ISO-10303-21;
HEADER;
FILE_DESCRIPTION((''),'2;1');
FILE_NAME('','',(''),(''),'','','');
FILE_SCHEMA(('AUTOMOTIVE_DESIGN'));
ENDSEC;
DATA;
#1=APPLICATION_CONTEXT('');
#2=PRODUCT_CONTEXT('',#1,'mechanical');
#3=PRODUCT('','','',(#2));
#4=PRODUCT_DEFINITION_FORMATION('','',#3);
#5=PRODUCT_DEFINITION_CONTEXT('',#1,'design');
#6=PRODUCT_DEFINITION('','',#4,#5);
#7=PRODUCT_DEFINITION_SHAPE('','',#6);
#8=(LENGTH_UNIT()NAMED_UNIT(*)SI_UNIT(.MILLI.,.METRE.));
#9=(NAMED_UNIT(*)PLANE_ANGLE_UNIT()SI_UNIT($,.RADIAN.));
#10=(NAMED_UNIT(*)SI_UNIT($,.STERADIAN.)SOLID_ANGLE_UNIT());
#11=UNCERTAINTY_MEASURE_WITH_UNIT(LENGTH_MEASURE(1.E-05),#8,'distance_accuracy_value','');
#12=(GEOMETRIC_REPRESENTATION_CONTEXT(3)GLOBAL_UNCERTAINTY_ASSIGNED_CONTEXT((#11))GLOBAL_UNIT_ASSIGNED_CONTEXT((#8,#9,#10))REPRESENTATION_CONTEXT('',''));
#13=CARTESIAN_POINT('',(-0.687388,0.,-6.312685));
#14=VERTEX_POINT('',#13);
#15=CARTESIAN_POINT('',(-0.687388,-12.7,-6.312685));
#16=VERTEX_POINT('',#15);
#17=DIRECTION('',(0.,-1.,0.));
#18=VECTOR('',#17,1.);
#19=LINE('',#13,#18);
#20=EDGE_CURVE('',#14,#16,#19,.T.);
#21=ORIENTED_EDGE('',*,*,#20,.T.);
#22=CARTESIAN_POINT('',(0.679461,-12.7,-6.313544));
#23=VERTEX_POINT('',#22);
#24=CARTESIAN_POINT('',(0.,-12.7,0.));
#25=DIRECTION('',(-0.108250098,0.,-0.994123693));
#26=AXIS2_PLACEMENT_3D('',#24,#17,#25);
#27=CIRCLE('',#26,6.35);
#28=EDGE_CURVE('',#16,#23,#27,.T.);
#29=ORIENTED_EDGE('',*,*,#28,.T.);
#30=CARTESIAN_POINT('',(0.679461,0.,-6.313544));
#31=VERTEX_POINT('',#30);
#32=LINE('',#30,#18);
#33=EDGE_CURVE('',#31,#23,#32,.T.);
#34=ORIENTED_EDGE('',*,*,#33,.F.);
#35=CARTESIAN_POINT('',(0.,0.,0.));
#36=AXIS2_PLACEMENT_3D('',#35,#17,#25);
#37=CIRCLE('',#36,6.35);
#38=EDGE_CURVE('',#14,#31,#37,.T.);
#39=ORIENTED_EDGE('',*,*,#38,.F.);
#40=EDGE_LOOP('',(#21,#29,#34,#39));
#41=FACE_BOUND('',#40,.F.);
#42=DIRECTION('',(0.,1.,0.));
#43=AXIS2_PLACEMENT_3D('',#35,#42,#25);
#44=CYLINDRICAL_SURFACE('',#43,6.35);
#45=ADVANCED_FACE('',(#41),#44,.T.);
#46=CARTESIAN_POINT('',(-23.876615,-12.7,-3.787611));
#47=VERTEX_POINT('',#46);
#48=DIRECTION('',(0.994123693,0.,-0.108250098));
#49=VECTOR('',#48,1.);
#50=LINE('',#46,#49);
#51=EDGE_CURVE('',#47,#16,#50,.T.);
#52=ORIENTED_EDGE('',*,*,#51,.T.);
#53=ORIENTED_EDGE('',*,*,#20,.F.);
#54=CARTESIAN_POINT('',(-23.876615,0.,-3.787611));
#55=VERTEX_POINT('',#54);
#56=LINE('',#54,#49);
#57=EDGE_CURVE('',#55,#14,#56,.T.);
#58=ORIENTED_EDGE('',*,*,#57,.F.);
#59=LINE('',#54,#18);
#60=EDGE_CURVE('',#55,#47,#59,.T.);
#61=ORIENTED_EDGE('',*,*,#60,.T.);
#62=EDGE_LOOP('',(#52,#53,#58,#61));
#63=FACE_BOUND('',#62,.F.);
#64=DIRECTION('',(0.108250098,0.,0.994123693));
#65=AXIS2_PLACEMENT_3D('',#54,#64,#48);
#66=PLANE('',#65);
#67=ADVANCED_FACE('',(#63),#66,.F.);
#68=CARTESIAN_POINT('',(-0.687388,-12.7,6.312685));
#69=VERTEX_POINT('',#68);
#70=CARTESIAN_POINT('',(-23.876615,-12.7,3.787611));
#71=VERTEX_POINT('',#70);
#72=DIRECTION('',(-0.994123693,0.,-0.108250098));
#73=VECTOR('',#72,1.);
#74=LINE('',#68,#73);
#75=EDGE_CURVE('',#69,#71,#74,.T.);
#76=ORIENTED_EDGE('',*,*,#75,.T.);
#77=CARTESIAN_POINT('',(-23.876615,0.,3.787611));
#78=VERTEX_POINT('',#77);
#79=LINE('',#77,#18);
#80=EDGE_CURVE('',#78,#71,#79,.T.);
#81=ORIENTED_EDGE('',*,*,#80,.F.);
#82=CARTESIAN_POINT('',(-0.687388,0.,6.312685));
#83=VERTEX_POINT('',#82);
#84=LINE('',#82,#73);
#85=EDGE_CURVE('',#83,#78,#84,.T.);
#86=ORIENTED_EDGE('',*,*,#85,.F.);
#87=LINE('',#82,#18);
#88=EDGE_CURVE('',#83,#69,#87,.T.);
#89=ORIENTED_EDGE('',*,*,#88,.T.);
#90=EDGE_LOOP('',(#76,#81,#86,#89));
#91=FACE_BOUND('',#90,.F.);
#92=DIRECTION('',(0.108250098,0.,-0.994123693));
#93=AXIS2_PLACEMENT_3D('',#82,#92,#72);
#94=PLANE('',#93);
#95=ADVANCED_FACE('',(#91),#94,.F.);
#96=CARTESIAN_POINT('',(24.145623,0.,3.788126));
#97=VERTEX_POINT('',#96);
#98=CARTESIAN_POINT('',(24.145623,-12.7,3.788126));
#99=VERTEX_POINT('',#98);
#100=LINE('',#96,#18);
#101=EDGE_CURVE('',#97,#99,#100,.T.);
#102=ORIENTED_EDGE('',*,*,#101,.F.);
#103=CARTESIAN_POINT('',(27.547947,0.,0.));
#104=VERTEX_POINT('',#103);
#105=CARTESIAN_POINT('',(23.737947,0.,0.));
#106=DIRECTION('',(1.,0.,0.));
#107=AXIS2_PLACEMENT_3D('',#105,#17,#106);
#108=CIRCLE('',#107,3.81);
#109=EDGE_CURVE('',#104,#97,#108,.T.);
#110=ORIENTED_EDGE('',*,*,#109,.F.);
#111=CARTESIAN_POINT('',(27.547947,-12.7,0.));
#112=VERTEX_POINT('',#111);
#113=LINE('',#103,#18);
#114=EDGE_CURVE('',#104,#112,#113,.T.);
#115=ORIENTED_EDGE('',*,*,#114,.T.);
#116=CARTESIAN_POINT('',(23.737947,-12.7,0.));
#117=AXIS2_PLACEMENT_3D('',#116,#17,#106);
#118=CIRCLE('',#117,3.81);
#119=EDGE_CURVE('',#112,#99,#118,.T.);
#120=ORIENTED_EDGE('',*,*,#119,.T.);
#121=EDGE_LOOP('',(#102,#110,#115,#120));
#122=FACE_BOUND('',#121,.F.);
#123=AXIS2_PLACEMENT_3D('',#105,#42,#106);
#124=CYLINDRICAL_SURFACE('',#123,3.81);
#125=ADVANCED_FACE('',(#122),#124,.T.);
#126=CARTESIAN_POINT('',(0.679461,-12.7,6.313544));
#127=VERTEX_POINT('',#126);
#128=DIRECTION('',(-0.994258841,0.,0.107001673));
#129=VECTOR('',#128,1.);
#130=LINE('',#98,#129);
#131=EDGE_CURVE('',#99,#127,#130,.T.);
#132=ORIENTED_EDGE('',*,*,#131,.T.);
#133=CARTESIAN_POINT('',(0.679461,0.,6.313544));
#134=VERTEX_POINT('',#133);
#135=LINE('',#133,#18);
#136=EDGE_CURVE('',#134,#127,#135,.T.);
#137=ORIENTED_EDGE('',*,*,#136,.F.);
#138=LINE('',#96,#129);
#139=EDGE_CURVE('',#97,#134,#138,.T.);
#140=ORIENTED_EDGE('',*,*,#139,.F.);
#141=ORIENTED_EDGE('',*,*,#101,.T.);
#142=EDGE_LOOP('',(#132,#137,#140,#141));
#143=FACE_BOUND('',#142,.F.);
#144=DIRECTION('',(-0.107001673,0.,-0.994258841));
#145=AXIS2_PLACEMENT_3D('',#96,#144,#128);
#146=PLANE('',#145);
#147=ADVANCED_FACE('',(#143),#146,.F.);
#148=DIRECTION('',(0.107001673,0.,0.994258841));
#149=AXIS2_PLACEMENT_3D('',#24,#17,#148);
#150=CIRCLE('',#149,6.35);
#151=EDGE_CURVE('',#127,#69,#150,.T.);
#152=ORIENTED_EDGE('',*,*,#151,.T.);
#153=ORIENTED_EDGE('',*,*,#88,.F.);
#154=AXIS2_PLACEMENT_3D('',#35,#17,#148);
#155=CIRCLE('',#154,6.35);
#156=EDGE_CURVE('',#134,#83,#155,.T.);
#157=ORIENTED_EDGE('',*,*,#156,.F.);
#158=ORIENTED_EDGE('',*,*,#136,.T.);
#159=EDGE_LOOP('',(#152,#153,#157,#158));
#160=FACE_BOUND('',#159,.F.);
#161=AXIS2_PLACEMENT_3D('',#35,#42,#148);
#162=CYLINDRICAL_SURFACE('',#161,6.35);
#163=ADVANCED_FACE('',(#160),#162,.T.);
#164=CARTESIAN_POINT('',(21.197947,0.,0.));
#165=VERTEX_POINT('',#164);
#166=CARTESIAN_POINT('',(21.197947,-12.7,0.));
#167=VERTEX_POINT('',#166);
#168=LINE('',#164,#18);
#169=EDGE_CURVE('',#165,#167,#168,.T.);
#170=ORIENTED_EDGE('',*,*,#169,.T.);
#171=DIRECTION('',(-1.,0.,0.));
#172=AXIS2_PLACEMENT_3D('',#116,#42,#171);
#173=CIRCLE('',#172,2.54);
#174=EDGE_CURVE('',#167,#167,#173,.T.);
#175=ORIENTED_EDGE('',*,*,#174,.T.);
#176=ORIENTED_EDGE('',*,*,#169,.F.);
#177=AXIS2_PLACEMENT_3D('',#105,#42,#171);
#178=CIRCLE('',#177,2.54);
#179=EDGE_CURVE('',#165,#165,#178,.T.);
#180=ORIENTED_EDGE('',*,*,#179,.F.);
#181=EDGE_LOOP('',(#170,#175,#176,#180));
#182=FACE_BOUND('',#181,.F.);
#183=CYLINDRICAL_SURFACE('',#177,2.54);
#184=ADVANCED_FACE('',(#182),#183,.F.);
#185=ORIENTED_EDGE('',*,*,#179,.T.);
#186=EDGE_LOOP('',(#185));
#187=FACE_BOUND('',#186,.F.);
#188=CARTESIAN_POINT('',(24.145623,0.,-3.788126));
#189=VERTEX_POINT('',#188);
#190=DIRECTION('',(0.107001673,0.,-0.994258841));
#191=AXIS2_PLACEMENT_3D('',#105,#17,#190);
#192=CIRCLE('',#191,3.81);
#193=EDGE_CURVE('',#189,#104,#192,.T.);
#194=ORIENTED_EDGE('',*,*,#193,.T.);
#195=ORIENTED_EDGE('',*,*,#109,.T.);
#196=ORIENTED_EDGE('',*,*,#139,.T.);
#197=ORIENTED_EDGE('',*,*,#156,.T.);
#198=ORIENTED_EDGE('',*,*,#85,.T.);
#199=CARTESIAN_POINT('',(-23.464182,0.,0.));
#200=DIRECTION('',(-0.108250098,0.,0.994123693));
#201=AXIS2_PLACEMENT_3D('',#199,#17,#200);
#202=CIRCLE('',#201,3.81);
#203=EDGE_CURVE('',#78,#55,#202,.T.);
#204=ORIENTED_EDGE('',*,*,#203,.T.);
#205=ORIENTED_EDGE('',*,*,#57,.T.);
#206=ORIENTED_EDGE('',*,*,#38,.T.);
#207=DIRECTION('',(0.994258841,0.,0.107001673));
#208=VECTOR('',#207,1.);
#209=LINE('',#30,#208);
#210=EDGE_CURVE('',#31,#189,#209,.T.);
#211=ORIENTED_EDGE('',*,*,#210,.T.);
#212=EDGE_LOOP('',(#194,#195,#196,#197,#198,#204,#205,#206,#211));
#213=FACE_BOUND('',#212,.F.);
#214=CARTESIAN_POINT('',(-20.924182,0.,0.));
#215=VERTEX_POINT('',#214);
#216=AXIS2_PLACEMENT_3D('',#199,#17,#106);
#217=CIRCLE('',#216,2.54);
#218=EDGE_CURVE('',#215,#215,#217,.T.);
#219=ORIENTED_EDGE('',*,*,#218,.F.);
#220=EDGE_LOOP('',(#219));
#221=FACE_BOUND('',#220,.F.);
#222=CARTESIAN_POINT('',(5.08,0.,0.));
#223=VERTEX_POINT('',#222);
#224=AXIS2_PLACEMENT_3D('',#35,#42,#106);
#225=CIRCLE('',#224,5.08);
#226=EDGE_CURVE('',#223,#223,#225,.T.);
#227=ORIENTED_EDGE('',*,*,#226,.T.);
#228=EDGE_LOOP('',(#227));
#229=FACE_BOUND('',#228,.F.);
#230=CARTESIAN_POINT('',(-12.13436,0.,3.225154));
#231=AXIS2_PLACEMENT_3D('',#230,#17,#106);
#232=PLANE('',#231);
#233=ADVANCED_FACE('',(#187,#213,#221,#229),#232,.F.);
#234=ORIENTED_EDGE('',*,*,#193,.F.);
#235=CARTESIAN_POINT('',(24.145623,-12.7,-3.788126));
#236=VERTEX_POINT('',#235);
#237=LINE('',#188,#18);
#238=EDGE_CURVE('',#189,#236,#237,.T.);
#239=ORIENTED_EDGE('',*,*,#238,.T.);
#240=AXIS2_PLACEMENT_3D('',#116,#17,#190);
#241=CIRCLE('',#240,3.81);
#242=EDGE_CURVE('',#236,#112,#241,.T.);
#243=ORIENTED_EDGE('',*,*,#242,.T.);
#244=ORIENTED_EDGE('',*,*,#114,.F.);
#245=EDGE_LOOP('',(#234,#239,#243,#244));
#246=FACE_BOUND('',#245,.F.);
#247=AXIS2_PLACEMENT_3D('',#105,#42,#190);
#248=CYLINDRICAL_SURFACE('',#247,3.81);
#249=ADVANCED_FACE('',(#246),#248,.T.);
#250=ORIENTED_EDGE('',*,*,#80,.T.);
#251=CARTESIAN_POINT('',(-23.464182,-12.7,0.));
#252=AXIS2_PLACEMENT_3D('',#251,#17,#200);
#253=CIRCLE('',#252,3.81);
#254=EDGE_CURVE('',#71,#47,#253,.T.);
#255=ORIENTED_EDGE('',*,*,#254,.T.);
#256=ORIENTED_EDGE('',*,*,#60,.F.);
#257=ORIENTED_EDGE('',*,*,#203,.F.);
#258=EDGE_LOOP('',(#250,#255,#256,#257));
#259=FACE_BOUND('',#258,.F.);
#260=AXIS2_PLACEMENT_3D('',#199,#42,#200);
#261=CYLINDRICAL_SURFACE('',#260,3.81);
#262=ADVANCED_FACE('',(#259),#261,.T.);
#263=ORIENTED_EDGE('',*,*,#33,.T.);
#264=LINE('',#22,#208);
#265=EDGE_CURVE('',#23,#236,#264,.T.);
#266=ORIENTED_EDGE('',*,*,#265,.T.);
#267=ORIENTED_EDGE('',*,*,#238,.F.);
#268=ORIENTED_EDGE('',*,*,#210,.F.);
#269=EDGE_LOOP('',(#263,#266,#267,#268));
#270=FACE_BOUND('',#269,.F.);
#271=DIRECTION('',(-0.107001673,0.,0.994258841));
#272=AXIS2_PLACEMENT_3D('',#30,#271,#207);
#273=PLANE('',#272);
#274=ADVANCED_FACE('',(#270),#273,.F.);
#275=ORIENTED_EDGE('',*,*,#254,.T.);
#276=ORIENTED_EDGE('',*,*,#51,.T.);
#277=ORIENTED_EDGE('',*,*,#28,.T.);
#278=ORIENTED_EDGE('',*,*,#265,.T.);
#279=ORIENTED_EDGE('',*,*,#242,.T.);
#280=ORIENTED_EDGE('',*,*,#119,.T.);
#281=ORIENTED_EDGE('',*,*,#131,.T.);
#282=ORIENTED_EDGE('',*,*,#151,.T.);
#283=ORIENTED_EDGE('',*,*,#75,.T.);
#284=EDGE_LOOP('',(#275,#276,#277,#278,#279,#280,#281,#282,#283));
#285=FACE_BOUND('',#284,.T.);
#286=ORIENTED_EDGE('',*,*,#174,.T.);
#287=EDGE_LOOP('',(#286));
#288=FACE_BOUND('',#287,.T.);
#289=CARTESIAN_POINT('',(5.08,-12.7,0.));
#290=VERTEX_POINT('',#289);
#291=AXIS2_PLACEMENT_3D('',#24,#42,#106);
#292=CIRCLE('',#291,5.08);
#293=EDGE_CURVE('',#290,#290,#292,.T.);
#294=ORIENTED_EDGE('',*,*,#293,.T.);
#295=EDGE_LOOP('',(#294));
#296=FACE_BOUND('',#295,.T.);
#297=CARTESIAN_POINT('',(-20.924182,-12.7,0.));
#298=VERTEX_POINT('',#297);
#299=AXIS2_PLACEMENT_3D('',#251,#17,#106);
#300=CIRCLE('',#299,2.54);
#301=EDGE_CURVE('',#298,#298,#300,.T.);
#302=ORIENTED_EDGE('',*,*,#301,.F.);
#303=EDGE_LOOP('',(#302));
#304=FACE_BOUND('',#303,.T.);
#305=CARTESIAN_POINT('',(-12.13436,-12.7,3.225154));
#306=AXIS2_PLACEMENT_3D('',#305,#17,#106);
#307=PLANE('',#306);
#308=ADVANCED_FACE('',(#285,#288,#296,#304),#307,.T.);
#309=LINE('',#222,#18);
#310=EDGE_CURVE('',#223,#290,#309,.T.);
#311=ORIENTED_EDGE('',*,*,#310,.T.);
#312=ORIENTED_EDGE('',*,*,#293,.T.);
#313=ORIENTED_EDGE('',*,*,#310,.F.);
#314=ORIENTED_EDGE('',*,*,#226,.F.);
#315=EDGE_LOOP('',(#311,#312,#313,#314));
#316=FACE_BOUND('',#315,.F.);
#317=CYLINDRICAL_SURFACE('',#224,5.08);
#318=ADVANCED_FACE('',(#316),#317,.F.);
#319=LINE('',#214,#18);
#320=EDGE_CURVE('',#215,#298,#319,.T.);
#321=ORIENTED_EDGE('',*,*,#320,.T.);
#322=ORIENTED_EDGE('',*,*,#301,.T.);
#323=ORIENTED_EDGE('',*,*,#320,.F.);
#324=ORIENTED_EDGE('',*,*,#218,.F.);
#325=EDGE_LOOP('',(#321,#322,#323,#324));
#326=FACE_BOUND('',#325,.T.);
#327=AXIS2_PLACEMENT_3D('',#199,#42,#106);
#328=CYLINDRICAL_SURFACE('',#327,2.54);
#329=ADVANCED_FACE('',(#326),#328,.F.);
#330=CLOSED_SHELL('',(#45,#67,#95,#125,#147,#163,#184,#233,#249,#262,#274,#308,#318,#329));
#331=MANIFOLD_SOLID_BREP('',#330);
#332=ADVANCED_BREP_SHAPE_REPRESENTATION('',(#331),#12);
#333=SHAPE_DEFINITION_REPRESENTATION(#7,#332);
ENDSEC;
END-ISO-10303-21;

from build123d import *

# Parameters (mm, degrees)
F0_R     = 2.54
F1_DEPTH = 12.7


with BuildPart() as f1:
    # F0 (on Front) → F1 (new body)
    with BuildSketch(Plane.XZ):
        with BuildLine():
            ThreePointArc((-23.876614939, 3.7876112691), (-20.9200976778, 2.836147849), (-19.6541820669, 0))
            Line((-19.6541820669, 0), (-6.35, 0))
            ThreePointArc((-6.35, 0), (-4.7269130816, 4.2401406485), (-0.6873881201, 6.3126854486))
            Line((-0.6873881201, 6.3126854486), (-23.876614939, 3.7876112691))
        make_face()
        with BuildLine():
            Line((-6.35, 0), (-19.6541820669, 0))
            ThreePointArc((-19.6541820669, 0), (-20.9200976778, -2.836147849), (-23.876614939, -3.7876112691))
            Line((-23.876614939, -3.7876112691), (-0.6873881201, -6.3126854486))
            ThreePointArc((-0.6873881201, -6.3126854486), (-4.7269130816, -4.2401406485), (-6.35, 0))
        make_face()
        with BuildLine():
            Line((24.1456229767, 3.7881261824), (0.6794606235, 6.3135436374))
            ThreePointArc((0.6794606235, 6.3135436374), (4.7242499383, 4.2431076489), (6.35, 0))
            Line((6.35, 0), (19.9279466026, 0))
            ThreePointArc((19.9279466026, 0), (21.1920820133, 2.834549963), (24.1456229767, 3.7881261824))
        make_face()
        with BuildLine():
            ThreePointArc((6.35, 0), (4.7242499383, -4.2431076489), (0.6794606235, -6.3135436374))
            Line((0.6794606235, -6.3135436374), (24.1456229767, -3.7881261824))
            ThreePointArc((24.1456229767, -3.7881261824), (21.1920820133, -2.834549963), (19.9279466026, 0))
            Line((19.9279466026, 0), (6.35, 0))
        make_face()
        with BuildLine():
            ThreePointArc((27.5479466026, 0), (26.5724965656, 2.5458645893), (24.1456229767, 3.7881261824))
            ThreePointArc((24.1456229767, 3.7881261824), (21.1920820133, 2.834549963), (19.9279466026, 0))
            ThreePointArc((19.9279466026, 0), (21.1920820133, -2.834549963), (24.1456229767, -3.7881261824))
            ThreePointArc((24.1456229767, -3.7881261824), (26.5724965656, -2.5458645893), (27.5479466026, 0))
        make_face()
        with BuildLine():
            ThreePointArc((26.2779466026, 0), (23.7379466026, -2.54), (21.1979466026, 0))
            ThreePointArc((21.1979466026, 0), (23.7379466026, 2.54), (26.2779466026, 0))
        make_face(mode=Mode.SUBTRACT)
        with BuildLine():
            ThreePointArc((-0.6873881201, 6.3126854486), (-4.7269130816, 4.2401406485), (-6.35, 0))
            Line((-6.35, 0), (-5.08, 0))
            ThreePointArc((-5.08, 0), (0, 5.08), (5.08, 0))
            Line((5.08, 0), (6.35, 0))
            ThreePointArc((6.35, 0), (4.7242499383, 4.2431076489), (0.6794606235, 6.3135436374))
            ThreePointArc((0.6794606235, 6.3135436374), (-0.0039869064, 6.3499987484), (-0.6873881201, 6.3126854486))
        make_face()
        with BuildLine():
            Line((-5.08, 0), (-6.35, 0))
            ThreePointArc((-6.35, 0), (-4.7269130816, -4.2401406485), (-0.6873881201, -6.3126854486))
            ThreePointArc((-0.6873881201, -6.3126854486), (-0.0039869064, -6.3499987484), (0.6794606235, -6.3135436374))
            ThreePointArc((0.6794606235, -6.3135436374), (4.7242499383, -4.2431076489), (6.35, 0))
            Line((6.35, 0), (5.08, 0))
            ThreePointArc((5.08, 0), (0, -5.08), (-5.08, 0))
        make_face()
        with BuildLine():
            ThreePointArc((-23.876614939, -3.7876112691), (-20.9200976778, -2.836147849), (-19.6541820669, 0))
            ThreePointArc((-19.6541820669, 0), (-20.9200976778, 2.836147849), (-23.876614939, 3.7876112691))
            ThreePointArc((-23.876614939, 3.7876112691), (-27.2741820669, 0), (-23.876614939, -3.7876112691))
        make_face()
        with Locations((-23.4641820669, 0)):
            Circle(F0_R, mode=Mode.SUBTRACT)
    extrude(amount=F1_DEPTH)


solid = f1.part
